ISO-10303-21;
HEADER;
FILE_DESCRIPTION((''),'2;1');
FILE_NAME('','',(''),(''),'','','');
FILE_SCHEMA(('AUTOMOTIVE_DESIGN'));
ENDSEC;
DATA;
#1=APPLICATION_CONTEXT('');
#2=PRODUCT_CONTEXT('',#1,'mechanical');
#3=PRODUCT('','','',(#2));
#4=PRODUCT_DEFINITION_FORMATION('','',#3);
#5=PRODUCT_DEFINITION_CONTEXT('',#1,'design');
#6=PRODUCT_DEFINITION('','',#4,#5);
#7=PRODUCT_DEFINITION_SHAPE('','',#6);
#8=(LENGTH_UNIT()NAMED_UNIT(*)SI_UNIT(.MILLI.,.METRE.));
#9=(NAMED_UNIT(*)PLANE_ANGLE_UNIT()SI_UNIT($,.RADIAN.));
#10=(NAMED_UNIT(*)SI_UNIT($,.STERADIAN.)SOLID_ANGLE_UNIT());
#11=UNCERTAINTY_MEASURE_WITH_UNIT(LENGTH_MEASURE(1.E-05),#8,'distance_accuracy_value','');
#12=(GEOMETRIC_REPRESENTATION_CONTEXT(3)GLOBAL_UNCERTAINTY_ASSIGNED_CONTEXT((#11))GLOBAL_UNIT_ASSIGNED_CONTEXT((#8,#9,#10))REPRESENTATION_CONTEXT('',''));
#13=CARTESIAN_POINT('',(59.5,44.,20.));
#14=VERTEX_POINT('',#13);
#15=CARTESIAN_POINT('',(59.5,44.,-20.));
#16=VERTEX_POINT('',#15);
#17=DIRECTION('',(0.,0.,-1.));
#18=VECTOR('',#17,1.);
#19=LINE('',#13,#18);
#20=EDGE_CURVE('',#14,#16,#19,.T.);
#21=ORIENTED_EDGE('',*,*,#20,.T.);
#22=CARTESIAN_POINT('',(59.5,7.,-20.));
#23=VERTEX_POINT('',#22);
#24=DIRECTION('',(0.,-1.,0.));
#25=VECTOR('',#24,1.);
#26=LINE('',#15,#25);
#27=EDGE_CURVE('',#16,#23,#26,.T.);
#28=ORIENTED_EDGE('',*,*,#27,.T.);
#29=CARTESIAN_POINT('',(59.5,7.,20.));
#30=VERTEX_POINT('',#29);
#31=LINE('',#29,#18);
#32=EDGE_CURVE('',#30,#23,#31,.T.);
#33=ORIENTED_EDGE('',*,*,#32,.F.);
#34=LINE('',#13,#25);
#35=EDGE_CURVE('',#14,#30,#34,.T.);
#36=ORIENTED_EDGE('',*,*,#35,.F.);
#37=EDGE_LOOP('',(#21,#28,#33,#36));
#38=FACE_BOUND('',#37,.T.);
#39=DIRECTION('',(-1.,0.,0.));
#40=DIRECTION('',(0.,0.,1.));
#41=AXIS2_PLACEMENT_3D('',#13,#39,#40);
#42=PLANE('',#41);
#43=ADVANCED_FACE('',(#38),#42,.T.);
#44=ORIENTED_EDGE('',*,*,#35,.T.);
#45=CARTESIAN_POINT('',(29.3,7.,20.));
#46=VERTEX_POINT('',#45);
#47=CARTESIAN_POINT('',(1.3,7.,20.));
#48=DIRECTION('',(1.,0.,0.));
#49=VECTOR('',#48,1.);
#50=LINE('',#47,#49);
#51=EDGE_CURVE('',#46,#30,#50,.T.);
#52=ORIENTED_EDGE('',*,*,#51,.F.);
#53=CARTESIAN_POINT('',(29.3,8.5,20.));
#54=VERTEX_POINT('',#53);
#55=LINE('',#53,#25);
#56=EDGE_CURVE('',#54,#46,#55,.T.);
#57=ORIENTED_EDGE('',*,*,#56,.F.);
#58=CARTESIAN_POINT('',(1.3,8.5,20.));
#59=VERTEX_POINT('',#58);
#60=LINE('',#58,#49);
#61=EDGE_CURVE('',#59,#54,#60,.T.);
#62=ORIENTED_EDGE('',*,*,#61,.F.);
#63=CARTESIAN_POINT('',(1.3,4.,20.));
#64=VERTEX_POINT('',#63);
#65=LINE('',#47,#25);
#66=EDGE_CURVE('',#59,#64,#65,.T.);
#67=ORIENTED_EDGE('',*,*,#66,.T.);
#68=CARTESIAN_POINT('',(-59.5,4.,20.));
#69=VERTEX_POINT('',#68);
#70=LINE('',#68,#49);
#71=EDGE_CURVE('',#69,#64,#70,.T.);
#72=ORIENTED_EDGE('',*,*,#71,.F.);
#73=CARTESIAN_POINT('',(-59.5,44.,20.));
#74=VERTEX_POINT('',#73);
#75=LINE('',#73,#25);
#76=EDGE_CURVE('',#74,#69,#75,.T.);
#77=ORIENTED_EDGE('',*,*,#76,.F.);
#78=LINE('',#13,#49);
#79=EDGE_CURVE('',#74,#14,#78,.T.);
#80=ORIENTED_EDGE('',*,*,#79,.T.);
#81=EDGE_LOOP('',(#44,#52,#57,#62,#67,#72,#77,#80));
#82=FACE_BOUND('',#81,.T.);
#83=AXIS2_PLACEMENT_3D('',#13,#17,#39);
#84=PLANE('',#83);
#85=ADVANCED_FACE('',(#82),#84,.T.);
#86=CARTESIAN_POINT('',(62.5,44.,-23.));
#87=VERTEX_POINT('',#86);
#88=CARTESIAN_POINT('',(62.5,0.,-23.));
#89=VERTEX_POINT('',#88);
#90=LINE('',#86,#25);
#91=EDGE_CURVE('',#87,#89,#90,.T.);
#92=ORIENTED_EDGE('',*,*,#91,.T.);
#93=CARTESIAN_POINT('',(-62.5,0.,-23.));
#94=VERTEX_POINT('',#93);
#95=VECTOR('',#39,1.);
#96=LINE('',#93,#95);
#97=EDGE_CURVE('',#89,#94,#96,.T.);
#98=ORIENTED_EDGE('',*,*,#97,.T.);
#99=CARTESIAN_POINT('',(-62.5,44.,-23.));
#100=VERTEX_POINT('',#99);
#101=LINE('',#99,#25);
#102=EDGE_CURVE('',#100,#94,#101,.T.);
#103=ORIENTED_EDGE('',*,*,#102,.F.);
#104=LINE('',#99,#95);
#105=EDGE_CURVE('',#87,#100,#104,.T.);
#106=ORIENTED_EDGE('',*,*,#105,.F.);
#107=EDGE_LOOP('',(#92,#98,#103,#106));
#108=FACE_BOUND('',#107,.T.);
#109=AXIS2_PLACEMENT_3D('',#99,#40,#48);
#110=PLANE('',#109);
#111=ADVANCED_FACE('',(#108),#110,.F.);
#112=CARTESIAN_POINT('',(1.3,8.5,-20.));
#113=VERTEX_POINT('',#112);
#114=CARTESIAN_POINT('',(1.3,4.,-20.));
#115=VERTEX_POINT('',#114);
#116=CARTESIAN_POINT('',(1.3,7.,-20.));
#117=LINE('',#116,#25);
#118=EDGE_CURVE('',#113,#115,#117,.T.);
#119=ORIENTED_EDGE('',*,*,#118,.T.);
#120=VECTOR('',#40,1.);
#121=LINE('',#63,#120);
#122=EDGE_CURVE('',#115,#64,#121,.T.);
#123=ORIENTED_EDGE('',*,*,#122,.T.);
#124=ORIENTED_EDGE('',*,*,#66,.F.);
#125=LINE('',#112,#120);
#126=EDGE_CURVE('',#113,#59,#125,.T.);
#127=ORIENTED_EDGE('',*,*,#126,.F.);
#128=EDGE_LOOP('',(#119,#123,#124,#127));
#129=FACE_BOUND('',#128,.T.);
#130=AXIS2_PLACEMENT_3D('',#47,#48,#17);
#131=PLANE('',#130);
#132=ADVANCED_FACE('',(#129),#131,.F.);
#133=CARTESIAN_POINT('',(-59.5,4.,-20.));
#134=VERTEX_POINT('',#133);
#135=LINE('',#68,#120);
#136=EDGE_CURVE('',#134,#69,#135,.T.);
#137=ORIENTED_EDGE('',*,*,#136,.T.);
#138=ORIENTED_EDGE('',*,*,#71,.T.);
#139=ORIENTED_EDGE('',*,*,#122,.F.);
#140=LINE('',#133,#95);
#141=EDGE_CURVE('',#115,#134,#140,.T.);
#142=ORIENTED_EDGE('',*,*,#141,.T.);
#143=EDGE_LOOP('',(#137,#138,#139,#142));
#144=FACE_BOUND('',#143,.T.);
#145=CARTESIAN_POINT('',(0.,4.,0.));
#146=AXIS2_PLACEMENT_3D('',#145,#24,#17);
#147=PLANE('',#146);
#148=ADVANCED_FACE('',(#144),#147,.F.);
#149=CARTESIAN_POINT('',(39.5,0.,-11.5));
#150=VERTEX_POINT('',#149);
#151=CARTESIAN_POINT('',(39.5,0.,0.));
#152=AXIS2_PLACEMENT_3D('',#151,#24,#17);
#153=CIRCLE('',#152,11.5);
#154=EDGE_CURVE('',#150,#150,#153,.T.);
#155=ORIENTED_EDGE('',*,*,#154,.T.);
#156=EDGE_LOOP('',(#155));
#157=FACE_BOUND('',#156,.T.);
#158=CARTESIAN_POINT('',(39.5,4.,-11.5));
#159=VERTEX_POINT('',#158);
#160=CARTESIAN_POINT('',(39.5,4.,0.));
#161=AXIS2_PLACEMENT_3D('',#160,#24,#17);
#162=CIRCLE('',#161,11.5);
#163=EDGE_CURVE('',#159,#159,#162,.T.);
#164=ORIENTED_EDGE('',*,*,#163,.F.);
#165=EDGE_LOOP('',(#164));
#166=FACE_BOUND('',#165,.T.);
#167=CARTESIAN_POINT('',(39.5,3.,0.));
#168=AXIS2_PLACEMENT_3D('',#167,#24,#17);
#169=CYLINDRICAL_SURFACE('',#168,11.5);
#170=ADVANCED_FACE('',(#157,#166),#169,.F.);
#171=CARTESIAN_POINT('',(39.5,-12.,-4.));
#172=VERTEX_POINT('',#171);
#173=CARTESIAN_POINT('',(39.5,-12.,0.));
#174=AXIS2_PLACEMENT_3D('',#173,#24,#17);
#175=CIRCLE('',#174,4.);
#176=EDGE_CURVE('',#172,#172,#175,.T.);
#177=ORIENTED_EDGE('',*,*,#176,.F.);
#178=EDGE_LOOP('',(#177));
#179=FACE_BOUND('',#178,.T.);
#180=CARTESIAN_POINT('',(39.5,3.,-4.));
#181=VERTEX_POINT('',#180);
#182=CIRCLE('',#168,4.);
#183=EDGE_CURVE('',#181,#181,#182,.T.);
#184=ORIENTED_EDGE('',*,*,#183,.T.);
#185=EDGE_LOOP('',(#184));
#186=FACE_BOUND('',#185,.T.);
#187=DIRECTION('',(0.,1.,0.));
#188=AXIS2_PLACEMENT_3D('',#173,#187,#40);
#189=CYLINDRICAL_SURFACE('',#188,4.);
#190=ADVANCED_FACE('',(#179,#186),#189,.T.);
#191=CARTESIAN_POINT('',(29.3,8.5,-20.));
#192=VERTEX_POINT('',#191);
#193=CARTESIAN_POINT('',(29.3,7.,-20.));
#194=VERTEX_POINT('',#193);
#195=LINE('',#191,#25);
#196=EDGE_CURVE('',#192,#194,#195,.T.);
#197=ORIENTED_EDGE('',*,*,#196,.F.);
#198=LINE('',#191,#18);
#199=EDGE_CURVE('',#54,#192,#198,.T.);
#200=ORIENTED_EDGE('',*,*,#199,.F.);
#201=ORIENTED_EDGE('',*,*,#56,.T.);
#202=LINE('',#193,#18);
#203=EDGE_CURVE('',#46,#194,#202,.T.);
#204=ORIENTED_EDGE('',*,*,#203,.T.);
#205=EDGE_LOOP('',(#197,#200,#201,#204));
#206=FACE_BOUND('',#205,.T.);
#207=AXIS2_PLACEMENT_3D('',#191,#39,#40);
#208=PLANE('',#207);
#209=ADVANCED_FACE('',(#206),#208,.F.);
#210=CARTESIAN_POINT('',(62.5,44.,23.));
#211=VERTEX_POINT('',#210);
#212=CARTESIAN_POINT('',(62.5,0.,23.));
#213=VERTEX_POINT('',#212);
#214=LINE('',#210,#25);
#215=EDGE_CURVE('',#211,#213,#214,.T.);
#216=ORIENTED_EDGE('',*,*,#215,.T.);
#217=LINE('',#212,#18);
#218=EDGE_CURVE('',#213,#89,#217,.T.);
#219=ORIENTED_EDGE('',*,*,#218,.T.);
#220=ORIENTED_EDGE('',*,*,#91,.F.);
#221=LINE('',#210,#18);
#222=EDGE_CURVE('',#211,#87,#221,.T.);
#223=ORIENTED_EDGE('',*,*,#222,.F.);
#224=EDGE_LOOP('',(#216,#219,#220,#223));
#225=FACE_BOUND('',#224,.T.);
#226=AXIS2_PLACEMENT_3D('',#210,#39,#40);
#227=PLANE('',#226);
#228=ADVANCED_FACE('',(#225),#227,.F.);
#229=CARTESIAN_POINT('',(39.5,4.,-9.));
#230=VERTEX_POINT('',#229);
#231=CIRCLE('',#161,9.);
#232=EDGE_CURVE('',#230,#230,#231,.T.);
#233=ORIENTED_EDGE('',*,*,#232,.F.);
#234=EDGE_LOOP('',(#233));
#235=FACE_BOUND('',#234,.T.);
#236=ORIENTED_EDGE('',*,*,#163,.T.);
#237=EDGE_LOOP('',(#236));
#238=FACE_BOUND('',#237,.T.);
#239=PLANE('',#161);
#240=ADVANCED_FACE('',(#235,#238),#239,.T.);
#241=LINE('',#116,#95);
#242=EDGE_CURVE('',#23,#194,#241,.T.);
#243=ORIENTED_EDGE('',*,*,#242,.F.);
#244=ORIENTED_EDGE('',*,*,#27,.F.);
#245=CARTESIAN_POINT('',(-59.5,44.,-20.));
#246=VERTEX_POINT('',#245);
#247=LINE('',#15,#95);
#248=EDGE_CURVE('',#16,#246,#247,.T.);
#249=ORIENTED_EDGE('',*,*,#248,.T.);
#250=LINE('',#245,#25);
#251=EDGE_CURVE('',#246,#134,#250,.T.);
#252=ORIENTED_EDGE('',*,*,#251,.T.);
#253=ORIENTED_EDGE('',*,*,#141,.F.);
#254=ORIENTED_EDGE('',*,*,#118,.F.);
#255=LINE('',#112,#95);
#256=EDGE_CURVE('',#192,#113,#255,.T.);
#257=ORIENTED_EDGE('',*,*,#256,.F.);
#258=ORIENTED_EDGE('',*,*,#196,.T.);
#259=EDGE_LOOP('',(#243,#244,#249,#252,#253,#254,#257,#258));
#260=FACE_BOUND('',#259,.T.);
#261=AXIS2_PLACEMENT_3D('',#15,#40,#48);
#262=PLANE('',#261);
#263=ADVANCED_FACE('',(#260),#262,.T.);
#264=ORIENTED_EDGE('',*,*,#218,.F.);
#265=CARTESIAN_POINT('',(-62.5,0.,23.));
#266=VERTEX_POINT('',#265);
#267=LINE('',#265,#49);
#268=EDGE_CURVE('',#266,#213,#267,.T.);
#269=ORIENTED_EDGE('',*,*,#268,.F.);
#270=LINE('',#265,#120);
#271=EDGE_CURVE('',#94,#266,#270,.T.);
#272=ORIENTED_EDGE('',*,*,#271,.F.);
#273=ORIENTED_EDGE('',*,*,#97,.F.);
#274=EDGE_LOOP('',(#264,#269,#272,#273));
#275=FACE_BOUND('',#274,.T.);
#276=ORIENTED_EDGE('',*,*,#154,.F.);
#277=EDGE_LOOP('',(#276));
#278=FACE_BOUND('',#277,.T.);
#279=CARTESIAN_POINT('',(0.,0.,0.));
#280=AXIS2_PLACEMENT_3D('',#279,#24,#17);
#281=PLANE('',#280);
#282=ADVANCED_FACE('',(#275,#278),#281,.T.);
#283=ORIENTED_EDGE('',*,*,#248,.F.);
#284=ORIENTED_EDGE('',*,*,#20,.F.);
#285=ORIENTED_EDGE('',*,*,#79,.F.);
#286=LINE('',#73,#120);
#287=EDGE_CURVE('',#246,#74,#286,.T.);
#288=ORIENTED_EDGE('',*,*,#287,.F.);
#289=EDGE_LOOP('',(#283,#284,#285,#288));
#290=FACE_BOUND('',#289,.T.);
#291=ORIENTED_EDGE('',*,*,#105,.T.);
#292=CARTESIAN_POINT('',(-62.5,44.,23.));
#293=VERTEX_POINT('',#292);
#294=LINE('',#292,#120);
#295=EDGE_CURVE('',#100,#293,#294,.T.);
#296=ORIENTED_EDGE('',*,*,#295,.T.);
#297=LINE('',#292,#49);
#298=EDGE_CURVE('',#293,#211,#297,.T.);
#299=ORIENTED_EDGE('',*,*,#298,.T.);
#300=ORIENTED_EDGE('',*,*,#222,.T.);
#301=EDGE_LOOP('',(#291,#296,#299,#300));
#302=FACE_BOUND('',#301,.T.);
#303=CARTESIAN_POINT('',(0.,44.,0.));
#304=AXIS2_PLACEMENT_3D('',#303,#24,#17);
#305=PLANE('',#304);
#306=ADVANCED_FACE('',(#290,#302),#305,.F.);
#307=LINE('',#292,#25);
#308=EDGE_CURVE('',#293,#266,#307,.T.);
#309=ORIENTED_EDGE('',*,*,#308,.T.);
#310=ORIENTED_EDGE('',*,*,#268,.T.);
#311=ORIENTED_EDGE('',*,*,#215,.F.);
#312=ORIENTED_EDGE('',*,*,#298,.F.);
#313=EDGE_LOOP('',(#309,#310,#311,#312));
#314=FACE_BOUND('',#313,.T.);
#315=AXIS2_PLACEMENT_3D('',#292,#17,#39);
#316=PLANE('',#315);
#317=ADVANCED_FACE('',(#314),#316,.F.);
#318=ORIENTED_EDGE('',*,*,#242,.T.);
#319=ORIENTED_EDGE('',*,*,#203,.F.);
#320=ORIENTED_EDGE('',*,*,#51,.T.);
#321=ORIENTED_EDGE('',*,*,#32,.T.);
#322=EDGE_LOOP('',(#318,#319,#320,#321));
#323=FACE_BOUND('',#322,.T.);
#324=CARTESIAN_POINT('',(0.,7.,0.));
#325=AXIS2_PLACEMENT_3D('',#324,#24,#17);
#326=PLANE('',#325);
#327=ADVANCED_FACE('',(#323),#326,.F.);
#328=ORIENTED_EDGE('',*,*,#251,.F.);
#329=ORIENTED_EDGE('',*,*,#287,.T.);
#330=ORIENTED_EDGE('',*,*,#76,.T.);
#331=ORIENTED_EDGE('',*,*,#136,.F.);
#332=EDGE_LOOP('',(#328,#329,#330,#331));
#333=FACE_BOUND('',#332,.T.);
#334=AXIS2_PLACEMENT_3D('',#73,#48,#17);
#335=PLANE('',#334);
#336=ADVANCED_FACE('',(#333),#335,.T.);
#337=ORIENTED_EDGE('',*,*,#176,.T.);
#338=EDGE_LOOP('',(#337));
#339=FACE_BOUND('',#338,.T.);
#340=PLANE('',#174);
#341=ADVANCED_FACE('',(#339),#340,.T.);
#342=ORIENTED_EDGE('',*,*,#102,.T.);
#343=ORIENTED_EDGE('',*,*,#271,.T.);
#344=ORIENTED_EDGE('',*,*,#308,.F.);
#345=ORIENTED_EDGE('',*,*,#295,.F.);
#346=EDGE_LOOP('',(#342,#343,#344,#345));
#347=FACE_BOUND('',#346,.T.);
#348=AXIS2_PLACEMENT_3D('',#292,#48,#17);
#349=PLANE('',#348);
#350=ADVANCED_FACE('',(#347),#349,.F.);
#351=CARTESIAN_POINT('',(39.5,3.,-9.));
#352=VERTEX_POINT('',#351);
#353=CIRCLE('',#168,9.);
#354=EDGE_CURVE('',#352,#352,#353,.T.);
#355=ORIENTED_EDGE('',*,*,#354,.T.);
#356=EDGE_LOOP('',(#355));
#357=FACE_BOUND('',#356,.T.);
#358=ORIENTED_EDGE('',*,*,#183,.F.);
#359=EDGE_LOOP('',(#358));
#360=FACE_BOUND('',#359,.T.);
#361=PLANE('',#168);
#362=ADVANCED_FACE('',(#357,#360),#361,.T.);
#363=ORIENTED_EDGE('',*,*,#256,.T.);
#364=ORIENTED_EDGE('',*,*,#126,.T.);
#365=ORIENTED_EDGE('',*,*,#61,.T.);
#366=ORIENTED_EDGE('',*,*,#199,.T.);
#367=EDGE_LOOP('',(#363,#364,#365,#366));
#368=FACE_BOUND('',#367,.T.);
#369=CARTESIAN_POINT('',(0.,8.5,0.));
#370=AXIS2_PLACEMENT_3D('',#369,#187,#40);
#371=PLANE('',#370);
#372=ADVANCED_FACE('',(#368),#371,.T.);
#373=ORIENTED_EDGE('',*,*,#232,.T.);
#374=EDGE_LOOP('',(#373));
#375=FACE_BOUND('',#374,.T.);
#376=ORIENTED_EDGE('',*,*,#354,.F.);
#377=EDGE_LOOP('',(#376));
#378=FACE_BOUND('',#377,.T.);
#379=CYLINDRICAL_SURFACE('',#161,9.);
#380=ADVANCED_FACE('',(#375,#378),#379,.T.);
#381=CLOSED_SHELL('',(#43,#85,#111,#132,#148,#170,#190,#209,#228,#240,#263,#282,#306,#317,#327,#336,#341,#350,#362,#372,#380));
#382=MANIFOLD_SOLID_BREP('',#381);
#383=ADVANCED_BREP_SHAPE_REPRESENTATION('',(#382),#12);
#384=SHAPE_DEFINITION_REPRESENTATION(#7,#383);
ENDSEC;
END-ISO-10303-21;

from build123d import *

# Parameters (mm, degrees)
SKETCH1_W           = 119
SKETCH1_H           = 40
BOSS_EXTRUDE1_DEPTH = 4
SKETCH2_W           = 125
SKETCH2_H           = 46
SKETCH2_W_2         = 119
SKETCH2_H_2         = 40
BOSS_EXTRUDE2_DEPTH = 44
SKETCH3_W           = 58.2
SKETCH3_H           = 40
BOSS_EXTRUDE3_DEPTH = 3
SKETCH4_W           = 28
SKETCH4_H           = 40
BOSS_EXTRUDE4_DEPTH = 1.5
SKETCH5_R           = 4
BOSS_EXTRUDE5_DEPTH = 12
SKETCH6_R           = 11.5
SKETCH6_R_2         = 4
CUT_EXTRUDE1_DEPTH  = 3
SKETCH7_R           = 11.5
SKETCH7_R_2         = 9
CUT_EXTRUDE2_DEPTH  = 1


with BuildPart() as part:
    # Sketch1 → Boss-Extrude1 (new body)
    with BuildSketch(Plane(origin=(0, 0, 0), x_dir=(1, 0, 0), z_dir=(0, 1, 0))):
        Rectangle(SKETCH1_W, SKETCH1_H)
    extrude(amount=BOSS_EXTRUDE1_DEPTH)

    # Sketch2 → Boss-Extrude2 (add)
    with BuildSketch(Plane(origin=(0, 0, 0), x_dir=(1, 0, 0), z_dir=(0, 1, 0))):
        Rectangle(SKETCH2_W, SKETCH2_H)
        Rectangle(SKETCH2_W_2, SKETCH2_H_2, mode=Mode.SUBTRACT)
    extrude(amount=BOSS_EXTRUDE2_DEPTH)

    # Sketch3 → Boss-Extrude3 (add)
    with BuildSketch(Plane(origin=(0, 4, 0), x_dir=(1, 0, 0), z_dir=(0, 1, 0))):
        with Locations((30.4, 0)):
            Rectangle(SKETCH3_W, SKETCH3_H)
    extrude(amount=BOSS_EXTRUDE3_DEPTH)

    # Sketch4 → Boss-Extrude4 (add)
    with BuildSketch(Plane(origin=(0, 7, 0), x_dir=(1, 0, 0), z_dir=(0, 1, 0))):
        with Locations((15.3, 0)):
            Rectangle(SKETCH4_W, SKETCH4_H)
    extrude(amount=BOSS_EXTRUDE4_DEPTH)

    # Sketch5 → Boss-Extrude5 (add)
    with BuildSketch(Plane.XZ):
        with Locations((39.5, 0)):
            Circle(SKETCH5_R)
    extrude(amount=BOSS_EXTRUDE5_DEPTH)

    # Sketch6 → Cut-Extrude1 (cut)
    with BuildSketch(Plane.XZ):
        with Locations((39.5, 0)):
            Circle(SKETCH6_R)
        with Locations((39.5, 0)):
            Circle(SKETCH6_R_2, mode=Mode.SUBTRACT)
    extrude(amount=-CUT_EXTRUDE1_DEPTH, mode=Mode.SUBTRACT)

    # Sketch7 → Cut-Extrude2 (cut)
    with BuildSketch(Plane.XZ.offset(-3)):
        with Locations((39.5, 0)):
            Circle(SKETCH7_R)
        with Locations((39.5, 0)):
            Circle(SKETCH7_R_2, mode=Mode.SUBTRACT)
    extrude(amount=-CUT_EXTRUDE2_DEPTH, mode=Mode.SUBTRACT)


solid = part.part
